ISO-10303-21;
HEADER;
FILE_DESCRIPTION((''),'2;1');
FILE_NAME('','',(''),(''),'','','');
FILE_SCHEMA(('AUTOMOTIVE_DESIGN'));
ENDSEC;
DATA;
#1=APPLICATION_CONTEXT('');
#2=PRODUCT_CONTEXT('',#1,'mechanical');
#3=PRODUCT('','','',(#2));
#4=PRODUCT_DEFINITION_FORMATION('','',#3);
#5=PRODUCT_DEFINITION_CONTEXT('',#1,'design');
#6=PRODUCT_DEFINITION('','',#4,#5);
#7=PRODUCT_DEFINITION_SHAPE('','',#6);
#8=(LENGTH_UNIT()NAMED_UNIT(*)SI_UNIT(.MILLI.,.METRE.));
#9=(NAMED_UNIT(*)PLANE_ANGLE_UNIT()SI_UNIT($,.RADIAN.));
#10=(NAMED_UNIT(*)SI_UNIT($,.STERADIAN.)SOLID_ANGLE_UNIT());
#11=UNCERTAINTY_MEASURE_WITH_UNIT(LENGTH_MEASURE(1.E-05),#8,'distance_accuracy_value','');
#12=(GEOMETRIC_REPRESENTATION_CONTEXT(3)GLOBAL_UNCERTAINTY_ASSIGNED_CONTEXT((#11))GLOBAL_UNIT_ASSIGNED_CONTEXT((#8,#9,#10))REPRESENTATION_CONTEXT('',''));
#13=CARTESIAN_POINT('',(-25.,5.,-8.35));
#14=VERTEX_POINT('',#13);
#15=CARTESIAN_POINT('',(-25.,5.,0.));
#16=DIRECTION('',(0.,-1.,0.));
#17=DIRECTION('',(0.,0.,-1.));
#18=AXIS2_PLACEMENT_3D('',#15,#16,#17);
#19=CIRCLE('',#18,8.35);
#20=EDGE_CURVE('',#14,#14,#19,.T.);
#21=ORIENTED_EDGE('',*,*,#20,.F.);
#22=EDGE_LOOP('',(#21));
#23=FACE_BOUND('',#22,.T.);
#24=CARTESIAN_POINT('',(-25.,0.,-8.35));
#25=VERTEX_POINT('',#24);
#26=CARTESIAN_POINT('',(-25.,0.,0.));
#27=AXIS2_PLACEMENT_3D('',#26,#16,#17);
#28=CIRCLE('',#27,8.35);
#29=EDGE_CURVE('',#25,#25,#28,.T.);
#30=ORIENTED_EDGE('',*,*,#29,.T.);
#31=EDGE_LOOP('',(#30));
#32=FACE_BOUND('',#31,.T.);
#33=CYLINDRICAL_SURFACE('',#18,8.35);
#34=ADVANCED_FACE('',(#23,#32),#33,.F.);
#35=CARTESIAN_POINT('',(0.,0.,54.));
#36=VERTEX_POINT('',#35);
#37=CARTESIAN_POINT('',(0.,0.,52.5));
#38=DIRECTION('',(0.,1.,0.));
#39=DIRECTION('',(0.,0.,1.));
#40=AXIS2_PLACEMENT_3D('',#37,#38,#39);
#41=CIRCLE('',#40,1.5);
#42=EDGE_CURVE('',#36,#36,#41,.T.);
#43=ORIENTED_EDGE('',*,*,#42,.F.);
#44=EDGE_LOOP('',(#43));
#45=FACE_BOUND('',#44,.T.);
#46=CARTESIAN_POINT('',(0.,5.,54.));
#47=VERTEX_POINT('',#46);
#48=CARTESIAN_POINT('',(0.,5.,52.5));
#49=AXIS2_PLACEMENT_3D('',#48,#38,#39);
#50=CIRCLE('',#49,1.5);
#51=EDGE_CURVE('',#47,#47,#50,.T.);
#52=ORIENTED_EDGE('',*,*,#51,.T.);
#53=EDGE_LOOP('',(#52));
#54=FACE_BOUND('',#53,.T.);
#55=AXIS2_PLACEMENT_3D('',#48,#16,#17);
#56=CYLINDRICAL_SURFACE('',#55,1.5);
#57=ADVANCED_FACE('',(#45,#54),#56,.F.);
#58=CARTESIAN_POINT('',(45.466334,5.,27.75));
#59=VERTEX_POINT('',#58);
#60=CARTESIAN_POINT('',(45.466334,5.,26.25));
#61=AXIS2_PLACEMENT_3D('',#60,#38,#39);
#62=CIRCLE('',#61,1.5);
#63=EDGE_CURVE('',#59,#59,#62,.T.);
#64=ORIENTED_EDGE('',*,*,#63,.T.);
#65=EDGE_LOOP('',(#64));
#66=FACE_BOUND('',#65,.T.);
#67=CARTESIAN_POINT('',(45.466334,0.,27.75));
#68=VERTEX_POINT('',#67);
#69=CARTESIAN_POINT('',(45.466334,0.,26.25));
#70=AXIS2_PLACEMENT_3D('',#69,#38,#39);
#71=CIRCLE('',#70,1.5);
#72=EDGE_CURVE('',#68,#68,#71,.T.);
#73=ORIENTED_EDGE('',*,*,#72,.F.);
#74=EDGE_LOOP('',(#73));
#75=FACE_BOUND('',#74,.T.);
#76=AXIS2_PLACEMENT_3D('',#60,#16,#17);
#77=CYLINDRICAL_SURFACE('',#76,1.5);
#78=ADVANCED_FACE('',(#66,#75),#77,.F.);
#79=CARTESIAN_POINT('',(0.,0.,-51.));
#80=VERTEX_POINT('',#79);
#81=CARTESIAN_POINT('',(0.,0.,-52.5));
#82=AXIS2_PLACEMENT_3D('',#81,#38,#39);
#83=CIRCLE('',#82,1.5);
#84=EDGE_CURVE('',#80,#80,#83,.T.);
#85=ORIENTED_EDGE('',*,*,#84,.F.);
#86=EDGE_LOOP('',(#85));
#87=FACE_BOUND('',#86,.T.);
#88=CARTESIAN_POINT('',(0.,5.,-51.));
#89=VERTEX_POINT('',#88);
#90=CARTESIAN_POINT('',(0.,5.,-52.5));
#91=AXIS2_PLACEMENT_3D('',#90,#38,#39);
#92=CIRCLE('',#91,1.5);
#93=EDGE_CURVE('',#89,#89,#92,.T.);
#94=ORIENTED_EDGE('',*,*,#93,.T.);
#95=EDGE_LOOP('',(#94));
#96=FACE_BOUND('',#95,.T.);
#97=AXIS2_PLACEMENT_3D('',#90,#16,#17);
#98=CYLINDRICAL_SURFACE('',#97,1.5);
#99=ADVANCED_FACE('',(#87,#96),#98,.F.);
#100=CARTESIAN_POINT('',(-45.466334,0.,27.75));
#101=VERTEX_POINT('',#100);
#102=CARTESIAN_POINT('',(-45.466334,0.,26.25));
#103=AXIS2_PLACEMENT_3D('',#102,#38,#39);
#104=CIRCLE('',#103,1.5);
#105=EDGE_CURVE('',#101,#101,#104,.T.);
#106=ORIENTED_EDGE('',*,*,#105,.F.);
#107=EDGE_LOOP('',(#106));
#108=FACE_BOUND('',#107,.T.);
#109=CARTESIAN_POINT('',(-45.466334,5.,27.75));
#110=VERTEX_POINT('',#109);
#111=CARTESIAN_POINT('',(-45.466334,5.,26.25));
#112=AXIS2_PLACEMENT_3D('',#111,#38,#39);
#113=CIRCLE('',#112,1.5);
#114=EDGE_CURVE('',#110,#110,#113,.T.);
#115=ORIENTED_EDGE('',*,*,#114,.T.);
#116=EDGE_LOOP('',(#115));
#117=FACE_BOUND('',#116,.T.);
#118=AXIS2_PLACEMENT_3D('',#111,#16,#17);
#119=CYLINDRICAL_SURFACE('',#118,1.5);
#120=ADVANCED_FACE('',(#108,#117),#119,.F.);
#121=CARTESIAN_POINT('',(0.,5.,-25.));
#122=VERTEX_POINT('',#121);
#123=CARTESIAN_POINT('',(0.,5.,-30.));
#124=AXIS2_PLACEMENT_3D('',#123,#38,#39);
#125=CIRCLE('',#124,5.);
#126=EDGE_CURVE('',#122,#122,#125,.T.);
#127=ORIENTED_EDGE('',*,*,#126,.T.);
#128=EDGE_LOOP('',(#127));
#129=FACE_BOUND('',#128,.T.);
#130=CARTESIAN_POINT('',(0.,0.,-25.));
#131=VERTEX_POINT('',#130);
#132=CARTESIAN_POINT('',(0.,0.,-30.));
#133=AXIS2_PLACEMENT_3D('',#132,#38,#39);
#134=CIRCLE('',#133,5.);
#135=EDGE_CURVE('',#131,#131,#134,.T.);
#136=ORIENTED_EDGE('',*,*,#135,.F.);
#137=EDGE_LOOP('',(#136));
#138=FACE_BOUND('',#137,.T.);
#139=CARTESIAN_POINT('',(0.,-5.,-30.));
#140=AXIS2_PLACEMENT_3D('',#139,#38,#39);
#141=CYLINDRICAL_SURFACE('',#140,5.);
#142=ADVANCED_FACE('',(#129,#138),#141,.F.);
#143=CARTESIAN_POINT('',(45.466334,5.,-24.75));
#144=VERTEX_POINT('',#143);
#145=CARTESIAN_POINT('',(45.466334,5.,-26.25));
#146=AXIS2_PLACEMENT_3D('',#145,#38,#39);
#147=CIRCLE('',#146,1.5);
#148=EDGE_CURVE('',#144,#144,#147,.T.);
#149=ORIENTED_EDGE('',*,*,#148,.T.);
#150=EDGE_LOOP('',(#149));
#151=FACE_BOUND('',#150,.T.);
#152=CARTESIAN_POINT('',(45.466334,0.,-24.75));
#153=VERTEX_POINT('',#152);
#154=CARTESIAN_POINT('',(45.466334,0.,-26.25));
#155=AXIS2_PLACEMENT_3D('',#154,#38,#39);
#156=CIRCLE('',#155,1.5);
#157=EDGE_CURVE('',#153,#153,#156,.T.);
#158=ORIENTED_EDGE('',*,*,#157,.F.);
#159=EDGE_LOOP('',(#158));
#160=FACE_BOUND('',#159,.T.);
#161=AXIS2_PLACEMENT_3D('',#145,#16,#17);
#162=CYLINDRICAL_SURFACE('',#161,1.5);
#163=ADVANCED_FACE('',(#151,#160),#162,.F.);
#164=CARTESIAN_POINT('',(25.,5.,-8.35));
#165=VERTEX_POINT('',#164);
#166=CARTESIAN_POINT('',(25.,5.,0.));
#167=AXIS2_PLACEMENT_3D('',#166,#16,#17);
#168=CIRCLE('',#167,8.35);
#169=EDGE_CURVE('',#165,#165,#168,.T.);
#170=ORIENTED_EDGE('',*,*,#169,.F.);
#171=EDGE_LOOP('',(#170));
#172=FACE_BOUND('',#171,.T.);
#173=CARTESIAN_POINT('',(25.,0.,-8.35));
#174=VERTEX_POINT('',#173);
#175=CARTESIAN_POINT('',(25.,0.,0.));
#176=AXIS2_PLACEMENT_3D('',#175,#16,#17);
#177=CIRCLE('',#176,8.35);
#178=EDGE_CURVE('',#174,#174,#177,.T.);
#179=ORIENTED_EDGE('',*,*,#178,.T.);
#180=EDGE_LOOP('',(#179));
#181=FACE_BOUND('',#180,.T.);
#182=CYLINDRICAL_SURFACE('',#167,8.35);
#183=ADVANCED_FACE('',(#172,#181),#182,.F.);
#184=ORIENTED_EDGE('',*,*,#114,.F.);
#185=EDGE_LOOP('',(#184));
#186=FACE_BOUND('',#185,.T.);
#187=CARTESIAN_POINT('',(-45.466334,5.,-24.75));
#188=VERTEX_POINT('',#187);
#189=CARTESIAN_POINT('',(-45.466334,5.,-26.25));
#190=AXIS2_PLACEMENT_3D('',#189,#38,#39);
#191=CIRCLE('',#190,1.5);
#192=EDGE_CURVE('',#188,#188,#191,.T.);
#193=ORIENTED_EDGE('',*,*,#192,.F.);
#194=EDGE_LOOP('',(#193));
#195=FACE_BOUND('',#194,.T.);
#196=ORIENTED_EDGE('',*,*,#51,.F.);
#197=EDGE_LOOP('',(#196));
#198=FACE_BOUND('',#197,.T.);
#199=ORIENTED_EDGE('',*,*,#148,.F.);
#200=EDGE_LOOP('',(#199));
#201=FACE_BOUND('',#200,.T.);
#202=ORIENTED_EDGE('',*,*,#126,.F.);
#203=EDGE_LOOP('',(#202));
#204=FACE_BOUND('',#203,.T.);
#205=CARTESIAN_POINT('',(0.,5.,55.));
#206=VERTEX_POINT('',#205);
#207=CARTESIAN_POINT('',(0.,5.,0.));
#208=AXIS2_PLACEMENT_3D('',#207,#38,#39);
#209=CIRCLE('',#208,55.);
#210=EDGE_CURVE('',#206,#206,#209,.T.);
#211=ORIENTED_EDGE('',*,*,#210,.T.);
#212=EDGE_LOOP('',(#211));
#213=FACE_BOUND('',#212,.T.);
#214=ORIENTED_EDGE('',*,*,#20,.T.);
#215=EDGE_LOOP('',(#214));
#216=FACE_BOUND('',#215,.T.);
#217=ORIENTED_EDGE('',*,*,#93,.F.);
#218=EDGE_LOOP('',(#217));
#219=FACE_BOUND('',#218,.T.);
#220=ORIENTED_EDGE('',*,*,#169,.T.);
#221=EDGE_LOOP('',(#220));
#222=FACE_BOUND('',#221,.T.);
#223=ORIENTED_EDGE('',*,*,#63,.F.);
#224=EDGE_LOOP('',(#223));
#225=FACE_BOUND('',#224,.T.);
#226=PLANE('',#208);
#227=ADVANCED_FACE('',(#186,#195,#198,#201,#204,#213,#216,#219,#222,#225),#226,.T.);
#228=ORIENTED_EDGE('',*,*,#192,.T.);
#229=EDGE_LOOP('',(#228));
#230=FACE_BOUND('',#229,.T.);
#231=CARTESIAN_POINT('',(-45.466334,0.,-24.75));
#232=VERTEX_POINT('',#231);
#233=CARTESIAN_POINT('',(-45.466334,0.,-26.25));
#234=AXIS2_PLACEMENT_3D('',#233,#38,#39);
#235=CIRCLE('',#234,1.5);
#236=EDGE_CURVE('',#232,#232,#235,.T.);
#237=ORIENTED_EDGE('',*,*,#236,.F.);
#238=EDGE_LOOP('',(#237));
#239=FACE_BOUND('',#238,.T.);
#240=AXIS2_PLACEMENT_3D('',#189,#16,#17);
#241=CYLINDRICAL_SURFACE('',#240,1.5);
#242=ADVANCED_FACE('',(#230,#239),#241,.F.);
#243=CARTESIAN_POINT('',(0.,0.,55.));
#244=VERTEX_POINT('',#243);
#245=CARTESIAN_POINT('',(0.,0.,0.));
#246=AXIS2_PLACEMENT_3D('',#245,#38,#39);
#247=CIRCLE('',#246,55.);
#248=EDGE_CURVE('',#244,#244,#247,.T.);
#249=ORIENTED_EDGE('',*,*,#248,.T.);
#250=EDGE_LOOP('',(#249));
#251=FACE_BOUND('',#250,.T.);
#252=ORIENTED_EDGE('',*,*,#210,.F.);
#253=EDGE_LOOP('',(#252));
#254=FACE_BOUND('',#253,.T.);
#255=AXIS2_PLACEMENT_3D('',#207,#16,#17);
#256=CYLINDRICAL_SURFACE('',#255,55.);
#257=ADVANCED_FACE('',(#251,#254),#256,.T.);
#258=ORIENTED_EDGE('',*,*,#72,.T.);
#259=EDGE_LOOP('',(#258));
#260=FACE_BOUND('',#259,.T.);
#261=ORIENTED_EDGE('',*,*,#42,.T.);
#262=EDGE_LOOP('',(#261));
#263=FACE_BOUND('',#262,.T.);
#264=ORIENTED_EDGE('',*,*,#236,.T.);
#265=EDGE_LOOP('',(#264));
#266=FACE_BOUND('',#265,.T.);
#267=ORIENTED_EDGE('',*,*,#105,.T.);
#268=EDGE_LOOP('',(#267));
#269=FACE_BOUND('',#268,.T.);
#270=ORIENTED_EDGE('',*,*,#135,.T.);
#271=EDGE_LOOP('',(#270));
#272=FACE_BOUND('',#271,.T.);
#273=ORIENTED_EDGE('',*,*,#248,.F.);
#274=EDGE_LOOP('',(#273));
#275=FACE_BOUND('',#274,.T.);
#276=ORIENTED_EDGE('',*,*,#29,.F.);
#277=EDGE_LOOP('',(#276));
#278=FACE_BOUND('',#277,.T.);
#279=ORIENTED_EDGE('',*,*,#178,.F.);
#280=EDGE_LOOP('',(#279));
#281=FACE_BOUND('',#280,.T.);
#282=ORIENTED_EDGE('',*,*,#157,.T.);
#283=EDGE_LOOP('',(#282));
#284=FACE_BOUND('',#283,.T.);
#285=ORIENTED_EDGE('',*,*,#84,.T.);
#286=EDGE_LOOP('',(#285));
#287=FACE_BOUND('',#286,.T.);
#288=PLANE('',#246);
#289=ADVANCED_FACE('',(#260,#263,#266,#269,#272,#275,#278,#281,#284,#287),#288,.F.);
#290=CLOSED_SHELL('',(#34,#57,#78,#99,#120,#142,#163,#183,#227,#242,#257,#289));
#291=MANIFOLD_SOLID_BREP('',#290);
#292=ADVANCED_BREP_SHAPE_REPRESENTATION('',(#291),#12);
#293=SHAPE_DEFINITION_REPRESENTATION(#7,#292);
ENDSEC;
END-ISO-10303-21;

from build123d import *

# Parameters (mm, degrees)
SKETCH_1_R          = 55
SKETCH_1_R_2        = 1.5
EXTRUDE_1_DEPTH     = 5
SKETCH_4_R          = 5
CUT_EXTRUDE_1_DEPTH = 10
SKETCH_5_R          = 8.35
CUT_EXTRUDE_2_DEPTH = 78.942286341


with BuildPart() as part:
    # 草图1 → 凸台-拉伸1 (new body)
    with BuildSketch(Plane(origin=(0, 0, 0), x_dir=(1, 0, 0), z_dir=(0, 1, 0))):
        with Locations(Location((0, 0, 0), (0, 0, 270))):
            Circle(SKETCH_1_R)
        with Locations(Location((0, 52.5, 0), (0, 0, 270))):
            Circle(SKETCH_1_R_2, mode=Mode.SUBTRACT)
        with Locations(Location((45.466333699, 26.25, 0), (0, 0, 270))):
            Circle(SKETCH_1_R_2, mode=Mode.SUBTRACT)
        with Locations(Location((45.466333699, -26.25, 0), (0, 0, 270))):
            Circle(SKETCH_1_R_2, mode=Mode.SUBTRACT)
        with Locations(Location((0, -52.5, 0), (0, 0, 270))):
            Circle(SKETCH_1_R_2, mode=Mode.SUBTRACT)
        with Locations(Location((-45.466333699, -26.25, 0), (0, 0, 270))):
            Circle(SKETCH_1_R_2, mode=Mode.SUBTRACT)
        with Locations(Location((-45.466333699, 26.25, 0), (0, 0, 270))):
            Circle(SKETCH_1_R_2, mode=Mode.SUBTRACT)
    extrude(amount=EXTRUDE_1_DEPTH)

    # 草图4 → 切除-拉伸1 (cut)
    with BuildSketch(Plane(origin=(0, 5, 0), x_dir=(1, 0, 0), z_dir=(0, 1, 0))):
        with Locations(Location((0, 30, 0), (0, 0, 270))):
            Circle(SKETCH_4_R)
    extrude(amount=-CUT_EXTRUDE_1_DEPTH, mode=Mode.SUBTRACT)

    # 草图5 → 切除-拉伸2 (cut, through all)
    with BuildSketch(Plane.XZ):
        with Locations(Location((-25, 0, 0), (0, 0, 270))):
            Circle(SKETCH_5_R)
        with Locations(Location((25, 0, 0), (0, 0, 270))):
            Circle(SKETCH_5_R)
    extrude(amount=-CUT_EXTRUDE_2_DEPTH, mode=Mode.SUBTRACT)


solid = part.part
